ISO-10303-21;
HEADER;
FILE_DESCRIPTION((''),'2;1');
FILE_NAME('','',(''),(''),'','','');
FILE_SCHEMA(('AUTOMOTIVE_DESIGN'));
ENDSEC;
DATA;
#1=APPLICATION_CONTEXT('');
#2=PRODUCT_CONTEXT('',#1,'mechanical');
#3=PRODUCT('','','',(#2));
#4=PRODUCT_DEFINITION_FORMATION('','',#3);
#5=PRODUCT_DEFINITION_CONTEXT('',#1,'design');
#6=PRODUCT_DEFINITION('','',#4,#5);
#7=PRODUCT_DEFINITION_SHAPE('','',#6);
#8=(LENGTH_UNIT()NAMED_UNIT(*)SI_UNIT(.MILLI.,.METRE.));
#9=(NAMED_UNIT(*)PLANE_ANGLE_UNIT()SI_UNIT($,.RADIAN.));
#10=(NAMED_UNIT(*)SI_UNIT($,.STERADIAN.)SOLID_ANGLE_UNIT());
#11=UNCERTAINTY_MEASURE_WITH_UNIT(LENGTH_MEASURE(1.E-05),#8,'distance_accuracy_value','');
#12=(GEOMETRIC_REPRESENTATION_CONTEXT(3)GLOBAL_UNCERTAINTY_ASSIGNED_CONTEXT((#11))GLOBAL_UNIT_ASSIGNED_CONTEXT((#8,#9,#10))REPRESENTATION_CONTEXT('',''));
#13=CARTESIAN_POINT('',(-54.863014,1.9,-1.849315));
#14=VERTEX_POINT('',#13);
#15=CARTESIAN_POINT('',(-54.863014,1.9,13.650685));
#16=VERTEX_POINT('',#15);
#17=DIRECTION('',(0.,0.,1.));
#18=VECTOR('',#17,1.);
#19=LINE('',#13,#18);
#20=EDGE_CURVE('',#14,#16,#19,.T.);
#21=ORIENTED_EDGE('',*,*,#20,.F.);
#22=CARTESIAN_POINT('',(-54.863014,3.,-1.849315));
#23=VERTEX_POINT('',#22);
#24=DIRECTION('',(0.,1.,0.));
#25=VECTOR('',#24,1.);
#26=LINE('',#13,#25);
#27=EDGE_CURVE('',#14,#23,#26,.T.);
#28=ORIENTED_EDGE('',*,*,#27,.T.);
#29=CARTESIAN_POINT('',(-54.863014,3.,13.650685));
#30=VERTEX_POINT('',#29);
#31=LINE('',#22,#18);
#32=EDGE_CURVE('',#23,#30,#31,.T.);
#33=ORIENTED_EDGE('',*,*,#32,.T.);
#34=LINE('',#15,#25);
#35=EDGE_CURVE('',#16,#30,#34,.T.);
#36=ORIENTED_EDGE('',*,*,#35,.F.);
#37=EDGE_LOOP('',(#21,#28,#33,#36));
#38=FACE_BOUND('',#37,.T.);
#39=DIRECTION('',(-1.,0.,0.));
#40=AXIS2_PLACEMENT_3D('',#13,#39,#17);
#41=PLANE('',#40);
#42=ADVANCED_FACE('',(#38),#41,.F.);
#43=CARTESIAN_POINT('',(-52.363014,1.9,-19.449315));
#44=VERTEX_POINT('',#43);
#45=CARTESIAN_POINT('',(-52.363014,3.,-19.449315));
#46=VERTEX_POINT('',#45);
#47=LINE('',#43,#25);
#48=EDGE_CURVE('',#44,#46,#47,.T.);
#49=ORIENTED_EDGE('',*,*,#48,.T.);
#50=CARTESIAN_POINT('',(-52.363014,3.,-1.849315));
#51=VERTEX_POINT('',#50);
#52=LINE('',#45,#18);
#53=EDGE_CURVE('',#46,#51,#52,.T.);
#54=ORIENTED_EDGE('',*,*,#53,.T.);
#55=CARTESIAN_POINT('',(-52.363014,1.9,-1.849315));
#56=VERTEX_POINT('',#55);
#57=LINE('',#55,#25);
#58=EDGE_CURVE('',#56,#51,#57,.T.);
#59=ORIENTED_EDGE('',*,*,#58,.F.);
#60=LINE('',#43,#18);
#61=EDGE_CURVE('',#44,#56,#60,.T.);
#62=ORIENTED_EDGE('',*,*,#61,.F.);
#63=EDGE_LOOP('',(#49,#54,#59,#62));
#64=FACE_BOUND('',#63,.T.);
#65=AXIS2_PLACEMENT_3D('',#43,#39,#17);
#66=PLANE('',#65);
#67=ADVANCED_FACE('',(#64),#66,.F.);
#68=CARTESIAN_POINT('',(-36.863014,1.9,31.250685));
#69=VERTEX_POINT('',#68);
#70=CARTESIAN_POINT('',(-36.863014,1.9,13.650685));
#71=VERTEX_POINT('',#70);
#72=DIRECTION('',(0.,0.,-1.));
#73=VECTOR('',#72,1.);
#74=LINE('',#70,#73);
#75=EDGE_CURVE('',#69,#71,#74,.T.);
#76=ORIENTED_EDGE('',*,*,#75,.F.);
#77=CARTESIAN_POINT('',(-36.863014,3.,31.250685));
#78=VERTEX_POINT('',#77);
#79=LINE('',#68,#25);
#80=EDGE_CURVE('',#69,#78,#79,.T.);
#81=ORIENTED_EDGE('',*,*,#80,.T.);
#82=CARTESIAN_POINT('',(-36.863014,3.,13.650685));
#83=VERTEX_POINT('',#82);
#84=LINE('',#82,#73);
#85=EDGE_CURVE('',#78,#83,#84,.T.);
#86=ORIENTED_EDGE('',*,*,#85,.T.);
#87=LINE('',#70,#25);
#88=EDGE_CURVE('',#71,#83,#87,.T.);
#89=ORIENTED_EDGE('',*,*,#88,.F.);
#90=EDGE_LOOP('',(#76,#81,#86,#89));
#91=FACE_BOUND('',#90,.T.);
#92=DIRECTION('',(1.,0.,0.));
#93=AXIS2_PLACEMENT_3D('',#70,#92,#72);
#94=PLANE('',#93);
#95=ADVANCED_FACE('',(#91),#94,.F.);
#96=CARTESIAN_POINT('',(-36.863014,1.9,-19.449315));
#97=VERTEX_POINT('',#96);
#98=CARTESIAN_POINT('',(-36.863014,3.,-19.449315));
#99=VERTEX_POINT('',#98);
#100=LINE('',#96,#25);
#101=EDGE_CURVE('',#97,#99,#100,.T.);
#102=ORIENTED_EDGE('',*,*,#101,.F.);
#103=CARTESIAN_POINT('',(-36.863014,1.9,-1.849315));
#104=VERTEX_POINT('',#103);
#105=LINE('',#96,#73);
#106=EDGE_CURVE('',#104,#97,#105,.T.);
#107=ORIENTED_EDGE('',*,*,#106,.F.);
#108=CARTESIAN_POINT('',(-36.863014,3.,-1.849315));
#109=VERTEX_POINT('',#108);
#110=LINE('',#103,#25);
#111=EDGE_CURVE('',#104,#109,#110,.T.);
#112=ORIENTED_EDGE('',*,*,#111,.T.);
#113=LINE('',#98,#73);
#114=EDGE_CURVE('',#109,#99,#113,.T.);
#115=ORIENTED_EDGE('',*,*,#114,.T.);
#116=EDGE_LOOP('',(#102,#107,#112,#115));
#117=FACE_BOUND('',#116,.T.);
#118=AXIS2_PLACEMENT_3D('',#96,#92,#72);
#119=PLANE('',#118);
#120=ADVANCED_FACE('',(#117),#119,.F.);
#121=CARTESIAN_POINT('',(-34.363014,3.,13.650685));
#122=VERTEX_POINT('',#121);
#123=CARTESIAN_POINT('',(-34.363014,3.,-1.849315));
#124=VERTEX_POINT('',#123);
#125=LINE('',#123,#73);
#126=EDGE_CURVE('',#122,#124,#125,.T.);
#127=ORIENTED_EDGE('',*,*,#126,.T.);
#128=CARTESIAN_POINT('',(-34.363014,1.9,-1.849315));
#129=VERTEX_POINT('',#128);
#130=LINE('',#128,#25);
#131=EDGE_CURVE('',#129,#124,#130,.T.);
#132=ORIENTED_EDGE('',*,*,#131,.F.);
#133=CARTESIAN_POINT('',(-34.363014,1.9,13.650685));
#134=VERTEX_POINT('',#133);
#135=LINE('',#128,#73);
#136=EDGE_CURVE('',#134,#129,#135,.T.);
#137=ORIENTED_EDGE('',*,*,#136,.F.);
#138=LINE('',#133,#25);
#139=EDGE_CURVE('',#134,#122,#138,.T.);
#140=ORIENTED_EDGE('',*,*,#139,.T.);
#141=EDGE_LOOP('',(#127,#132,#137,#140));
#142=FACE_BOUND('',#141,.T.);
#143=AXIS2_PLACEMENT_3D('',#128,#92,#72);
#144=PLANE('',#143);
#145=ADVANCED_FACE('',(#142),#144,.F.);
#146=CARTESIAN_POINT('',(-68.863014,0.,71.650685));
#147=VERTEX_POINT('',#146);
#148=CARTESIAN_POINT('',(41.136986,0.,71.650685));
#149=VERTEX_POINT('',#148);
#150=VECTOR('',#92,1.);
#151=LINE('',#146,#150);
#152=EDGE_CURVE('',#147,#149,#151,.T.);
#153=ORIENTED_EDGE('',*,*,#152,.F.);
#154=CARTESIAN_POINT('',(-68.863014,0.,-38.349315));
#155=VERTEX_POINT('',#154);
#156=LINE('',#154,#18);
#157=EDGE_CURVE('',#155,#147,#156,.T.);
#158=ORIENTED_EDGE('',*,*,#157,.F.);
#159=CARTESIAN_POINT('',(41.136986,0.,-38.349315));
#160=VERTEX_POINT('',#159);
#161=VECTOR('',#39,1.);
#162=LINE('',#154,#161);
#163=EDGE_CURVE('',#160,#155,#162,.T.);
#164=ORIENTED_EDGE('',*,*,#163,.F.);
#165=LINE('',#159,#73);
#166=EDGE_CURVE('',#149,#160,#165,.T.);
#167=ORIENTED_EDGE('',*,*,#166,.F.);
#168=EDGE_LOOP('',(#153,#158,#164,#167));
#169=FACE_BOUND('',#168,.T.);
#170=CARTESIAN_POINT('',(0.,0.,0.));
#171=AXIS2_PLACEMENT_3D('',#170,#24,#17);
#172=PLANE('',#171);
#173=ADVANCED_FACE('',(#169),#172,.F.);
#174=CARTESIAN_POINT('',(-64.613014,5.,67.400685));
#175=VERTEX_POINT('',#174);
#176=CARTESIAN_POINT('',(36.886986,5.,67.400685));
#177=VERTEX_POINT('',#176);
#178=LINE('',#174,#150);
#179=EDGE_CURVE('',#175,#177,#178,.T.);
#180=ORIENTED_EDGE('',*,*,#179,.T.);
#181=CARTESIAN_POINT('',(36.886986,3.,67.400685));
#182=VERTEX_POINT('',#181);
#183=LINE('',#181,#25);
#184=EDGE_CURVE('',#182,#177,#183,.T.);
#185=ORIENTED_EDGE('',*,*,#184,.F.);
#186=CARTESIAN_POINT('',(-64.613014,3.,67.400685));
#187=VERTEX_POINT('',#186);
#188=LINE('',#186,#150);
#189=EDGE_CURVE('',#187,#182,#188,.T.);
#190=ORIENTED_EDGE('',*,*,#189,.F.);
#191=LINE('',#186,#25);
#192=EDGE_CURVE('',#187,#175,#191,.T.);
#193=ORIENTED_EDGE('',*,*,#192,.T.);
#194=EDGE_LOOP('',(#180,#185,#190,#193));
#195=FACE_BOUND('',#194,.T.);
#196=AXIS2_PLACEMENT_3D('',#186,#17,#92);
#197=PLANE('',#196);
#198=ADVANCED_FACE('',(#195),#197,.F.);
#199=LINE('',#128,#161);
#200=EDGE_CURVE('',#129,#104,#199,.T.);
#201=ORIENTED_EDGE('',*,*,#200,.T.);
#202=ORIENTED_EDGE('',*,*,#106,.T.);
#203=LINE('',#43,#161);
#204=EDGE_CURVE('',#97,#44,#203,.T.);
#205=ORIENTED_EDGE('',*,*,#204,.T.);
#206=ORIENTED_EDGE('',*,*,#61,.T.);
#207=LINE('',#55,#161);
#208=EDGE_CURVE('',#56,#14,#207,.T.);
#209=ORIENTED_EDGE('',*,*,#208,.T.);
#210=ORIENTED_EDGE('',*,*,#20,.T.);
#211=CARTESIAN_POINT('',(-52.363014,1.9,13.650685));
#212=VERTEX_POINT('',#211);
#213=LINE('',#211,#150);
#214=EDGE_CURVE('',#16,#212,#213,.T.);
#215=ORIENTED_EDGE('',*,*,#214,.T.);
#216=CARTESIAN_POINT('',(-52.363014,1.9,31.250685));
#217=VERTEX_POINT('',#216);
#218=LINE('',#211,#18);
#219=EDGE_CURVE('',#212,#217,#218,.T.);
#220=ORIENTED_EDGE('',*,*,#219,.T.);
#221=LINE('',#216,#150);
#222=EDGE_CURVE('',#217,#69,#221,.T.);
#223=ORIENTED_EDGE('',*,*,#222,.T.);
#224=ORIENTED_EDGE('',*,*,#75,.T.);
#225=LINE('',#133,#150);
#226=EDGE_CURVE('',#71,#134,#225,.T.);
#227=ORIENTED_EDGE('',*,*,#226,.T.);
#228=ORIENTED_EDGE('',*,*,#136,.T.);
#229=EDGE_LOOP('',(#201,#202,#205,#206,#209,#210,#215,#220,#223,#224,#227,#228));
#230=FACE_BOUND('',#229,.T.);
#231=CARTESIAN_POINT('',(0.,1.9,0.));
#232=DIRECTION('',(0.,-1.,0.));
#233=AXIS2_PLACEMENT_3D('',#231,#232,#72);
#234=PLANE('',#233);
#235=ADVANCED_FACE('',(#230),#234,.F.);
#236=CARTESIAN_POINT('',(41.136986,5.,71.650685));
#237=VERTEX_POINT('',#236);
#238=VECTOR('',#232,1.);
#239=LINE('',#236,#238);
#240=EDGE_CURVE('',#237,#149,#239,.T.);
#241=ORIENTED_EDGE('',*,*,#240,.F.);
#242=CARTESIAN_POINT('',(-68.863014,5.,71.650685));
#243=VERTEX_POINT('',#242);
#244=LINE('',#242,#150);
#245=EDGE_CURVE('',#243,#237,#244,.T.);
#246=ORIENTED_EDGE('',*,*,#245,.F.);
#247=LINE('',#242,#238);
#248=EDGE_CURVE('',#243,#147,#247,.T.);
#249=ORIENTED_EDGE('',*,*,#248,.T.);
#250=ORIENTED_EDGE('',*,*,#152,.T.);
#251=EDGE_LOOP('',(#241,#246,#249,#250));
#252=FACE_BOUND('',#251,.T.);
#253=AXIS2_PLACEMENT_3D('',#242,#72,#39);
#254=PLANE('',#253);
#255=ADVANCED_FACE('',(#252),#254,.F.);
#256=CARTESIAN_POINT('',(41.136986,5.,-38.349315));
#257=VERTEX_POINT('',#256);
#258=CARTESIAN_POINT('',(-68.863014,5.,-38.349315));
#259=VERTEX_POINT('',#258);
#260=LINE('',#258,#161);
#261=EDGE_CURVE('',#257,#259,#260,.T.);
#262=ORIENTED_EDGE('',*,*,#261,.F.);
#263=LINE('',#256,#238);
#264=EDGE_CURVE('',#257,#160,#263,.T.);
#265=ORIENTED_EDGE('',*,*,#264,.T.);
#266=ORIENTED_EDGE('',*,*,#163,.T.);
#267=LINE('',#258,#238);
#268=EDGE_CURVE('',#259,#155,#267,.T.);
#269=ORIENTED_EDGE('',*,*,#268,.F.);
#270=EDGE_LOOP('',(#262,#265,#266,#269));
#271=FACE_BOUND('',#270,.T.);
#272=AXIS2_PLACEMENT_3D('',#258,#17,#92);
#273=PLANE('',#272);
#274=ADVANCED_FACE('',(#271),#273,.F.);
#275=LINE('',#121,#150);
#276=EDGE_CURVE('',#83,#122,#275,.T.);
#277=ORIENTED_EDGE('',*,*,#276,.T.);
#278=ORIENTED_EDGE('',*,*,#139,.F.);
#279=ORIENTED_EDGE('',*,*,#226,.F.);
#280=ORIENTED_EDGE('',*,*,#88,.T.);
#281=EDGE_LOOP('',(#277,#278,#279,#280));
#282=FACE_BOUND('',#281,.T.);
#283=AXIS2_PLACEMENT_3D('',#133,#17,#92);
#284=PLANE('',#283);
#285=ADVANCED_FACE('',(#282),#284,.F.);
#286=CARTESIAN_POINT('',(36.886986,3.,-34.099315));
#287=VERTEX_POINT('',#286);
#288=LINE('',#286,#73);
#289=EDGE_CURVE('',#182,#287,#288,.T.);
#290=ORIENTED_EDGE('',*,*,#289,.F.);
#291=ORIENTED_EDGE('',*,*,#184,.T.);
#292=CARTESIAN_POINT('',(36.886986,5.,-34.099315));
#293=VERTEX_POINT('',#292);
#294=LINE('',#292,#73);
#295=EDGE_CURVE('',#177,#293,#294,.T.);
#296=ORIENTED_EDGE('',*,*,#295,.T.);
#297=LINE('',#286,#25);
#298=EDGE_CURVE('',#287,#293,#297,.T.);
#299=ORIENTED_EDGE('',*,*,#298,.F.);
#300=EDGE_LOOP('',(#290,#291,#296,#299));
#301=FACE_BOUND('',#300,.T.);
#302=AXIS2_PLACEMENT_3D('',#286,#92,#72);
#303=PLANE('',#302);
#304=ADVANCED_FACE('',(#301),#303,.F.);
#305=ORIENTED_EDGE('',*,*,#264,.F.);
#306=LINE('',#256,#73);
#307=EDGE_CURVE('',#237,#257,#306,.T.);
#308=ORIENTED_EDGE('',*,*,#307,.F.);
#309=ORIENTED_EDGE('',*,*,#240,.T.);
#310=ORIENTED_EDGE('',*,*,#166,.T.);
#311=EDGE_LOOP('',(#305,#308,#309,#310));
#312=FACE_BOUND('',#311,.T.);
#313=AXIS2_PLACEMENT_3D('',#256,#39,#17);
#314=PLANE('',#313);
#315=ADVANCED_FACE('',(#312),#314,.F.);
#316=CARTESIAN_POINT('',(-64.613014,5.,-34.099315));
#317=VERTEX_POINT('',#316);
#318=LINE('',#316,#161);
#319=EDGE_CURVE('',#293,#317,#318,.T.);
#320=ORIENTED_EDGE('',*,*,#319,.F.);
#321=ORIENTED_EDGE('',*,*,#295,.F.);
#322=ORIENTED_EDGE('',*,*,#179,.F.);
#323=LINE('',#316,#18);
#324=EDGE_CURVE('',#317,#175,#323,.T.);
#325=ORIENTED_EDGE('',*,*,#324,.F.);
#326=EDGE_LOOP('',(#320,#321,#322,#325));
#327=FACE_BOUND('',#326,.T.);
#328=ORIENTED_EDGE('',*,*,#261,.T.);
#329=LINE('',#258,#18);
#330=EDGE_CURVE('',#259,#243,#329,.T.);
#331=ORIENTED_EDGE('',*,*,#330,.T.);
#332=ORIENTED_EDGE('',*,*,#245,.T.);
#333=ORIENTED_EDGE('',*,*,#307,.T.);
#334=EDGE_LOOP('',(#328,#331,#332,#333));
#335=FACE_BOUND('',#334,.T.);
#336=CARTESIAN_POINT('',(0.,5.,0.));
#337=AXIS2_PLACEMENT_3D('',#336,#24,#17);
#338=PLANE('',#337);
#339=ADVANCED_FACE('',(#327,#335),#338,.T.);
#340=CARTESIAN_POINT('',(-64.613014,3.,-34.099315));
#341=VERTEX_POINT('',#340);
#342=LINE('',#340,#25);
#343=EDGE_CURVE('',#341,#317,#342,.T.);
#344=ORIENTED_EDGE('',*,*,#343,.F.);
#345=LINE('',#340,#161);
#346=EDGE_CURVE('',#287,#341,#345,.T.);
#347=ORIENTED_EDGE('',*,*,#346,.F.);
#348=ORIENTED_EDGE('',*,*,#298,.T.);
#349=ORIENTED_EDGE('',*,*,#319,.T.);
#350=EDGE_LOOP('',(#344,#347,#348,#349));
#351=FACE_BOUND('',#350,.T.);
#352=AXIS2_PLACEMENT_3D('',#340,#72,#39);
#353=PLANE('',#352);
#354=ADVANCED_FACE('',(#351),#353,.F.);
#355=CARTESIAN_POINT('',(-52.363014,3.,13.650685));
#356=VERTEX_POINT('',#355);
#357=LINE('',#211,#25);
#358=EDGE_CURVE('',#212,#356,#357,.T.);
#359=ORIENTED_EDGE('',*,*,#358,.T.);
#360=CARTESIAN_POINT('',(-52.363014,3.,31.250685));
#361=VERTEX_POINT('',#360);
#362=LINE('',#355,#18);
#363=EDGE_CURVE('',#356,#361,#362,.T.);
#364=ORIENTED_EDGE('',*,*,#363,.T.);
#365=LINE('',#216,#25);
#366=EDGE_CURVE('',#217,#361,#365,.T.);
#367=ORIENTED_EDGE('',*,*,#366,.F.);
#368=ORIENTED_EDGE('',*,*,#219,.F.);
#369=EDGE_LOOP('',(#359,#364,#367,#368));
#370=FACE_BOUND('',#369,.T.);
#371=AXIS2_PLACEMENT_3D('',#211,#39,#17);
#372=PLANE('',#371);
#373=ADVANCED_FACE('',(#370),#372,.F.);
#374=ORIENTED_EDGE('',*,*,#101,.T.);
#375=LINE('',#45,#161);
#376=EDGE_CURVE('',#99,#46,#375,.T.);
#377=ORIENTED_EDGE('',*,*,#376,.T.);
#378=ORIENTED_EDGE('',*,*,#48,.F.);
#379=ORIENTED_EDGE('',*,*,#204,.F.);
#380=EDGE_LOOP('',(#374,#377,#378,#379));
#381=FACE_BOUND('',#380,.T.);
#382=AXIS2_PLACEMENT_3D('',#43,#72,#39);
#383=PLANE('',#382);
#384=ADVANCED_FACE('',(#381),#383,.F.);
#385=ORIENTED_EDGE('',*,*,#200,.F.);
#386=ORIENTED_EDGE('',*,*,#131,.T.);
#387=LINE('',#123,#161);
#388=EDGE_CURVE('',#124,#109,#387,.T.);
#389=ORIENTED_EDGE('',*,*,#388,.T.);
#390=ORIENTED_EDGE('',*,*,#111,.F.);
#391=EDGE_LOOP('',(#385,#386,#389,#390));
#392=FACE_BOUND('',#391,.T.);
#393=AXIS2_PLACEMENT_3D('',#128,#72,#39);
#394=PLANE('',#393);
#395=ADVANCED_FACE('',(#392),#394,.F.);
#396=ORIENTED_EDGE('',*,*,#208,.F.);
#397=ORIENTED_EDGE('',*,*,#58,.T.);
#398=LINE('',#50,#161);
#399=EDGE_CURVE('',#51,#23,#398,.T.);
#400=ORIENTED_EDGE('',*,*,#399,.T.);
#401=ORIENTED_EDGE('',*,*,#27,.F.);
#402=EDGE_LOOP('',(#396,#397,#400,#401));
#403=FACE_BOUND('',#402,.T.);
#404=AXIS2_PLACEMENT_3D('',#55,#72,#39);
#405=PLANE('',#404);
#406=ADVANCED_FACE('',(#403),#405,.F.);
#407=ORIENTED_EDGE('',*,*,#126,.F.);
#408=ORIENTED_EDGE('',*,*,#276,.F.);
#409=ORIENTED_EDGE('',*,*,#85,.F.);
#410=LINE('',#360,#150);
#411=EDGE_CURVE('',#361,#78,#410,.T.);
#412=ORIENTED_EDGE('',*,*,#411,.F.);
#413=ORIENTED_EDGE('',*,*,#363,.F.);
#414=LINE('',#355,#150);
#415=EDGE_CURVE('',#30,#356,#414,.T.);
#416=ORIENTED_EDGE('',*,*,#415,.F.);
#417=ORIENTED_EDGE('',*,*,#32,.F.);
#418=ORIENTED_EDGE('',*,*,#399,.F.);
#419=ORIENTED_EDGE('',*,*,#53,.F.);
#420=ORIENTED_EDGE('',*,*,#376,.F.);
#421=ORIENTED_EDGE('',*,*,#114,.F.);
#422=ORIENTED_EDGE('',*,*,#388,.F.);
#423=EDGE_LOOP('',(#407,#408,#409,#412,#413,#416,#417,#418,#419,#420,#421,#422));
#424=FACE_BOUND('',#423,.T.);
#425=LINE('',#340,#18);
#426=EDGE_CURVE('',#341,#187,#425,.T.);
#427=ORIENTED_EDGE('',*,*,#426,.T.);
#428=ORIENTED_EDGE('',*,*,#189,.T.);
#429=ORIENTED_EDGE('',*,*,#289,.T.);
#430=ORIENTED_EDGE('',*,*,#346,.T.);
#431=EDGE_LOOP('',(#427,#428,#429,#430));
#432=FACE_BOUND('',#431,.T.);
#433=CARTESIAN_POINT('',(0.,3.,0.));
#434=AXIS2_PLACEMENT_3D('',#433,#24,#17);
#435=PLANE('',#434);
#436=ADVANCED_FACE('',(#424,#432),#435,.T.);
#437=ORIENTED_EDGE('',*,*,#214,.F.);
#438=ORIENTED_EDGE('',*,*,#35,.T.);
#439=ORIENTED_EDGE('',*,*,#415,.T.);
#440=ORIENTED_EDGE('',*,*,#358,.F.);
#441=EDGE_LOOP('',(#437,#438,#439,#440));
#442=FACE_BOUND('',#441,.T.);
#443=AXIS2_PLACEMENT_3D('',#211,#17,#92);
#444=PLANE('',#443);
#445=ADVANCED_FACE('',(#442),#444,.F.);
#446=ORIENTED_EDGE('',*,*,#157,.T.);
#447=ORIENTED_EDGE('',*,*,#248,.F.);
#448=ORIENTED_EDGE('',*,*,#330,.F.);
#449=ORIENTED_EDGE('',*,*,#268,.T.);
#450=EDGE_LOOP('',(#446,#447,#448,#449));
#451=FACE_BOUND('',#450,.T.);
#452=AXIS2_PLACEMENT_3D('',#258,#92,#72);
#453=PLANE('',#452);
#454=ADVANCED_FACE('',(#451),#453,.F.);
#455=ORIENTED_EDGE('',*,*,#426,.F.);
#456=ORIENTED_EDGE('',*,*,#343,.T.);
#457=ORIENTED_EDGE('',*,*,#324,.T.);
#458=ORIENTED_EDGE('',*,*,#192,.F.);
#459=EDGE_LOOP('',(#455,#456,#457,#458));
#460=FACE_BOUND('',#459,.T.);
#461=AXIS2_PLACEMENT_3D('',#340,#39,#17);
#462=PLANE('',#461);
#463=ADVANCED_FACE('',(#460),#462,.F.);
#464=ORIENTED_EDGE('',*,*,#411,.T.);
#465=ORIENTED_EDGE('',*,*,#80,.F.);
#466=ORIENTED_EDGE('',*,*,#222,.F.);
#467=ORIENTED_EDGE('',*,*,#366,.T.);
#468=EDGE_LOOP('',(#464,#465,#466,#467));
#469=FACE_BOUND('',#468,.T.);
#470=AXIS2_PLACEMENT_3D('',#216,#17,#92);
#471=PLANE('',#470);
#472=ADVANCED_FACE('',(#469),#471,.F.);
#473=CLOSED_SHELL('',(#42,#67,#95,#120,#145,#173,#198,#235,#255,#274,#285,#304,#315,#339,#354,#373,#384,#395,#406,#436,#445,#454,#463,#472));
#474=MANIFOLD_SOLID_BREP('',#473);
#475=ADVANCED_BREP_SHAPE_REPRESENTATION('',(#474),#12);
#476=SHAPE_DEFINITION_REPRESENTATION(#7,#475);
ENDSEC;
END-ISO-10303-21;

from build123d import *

# Parameters (mm, degrees)
SKETCH1_W           = 110
SKETCH1_H           = 110
BOSS_EXTRUDE1_DEPTH = 5
SKETCH2_W           = 101.5
SKETCH2_H           = 101.5
CUT_EXTRUDE1_DEPTH  = 2
CUT_EXTRUDE2_DEPTH  = 1.1


with BuildPart() as part:
    # Sketch1 → Boss-Extrude1 (new body)
    with BuildSketch(Plane(origin=(0, 0, 0), x_dir=(1, 0, 0), z_dir=(0, 1, 0))):
        with Locations((-13.863013699, -16.650684932)):
            Rectangle(SKETCH1_W, SKETCH1_H)
    extrude(amount=BOSS_EXTRUDE1_DEPTH)

    # Sketch2 → Cut-Extrude1 (cut)
    with BuildSketch(Plane(origin=(0, 5, 0), x_dir=(1, 0, 0), z_dir=(0, 1, 0))):
        with Locations((-13.863013699, -16.650684932)):
            Rectangle(SKETCH2_W, SKETCH2_H)
    extrude(amount=-CUT_EXTRUDE1_DEPTH, mode=Mode.SUBTRACT)

    # Sketch3 → Cut-Extrude2 (cut)
    with BuildSketch(Plane(origin=(0, 3, 0), x_dir=(1, 0, 0), z_dir=(0, 1, 0))):
        Polygon((-34.363013699, 1.849315068), (-36.863013699, 1.849315068), (-36.863013699, 19.449315068), (-52.363013699, 19.449315068), (-52.363013699, 1.849315068), (-54.863013699, 1.849315068), (-54.863013699, -13.650684932), (-52.363013699, -13.650684932), (-52.363013699, -31.250684932), (-36.863013699, -31.250684932), (-36.863013699, -13.650684932), (-34.363013699, -13.650684932), align=None)
    extrude(amount=-CUT_EXTRUDE2_DEPTH, mode=Mode.SUBTRACT)


solid = part.part
